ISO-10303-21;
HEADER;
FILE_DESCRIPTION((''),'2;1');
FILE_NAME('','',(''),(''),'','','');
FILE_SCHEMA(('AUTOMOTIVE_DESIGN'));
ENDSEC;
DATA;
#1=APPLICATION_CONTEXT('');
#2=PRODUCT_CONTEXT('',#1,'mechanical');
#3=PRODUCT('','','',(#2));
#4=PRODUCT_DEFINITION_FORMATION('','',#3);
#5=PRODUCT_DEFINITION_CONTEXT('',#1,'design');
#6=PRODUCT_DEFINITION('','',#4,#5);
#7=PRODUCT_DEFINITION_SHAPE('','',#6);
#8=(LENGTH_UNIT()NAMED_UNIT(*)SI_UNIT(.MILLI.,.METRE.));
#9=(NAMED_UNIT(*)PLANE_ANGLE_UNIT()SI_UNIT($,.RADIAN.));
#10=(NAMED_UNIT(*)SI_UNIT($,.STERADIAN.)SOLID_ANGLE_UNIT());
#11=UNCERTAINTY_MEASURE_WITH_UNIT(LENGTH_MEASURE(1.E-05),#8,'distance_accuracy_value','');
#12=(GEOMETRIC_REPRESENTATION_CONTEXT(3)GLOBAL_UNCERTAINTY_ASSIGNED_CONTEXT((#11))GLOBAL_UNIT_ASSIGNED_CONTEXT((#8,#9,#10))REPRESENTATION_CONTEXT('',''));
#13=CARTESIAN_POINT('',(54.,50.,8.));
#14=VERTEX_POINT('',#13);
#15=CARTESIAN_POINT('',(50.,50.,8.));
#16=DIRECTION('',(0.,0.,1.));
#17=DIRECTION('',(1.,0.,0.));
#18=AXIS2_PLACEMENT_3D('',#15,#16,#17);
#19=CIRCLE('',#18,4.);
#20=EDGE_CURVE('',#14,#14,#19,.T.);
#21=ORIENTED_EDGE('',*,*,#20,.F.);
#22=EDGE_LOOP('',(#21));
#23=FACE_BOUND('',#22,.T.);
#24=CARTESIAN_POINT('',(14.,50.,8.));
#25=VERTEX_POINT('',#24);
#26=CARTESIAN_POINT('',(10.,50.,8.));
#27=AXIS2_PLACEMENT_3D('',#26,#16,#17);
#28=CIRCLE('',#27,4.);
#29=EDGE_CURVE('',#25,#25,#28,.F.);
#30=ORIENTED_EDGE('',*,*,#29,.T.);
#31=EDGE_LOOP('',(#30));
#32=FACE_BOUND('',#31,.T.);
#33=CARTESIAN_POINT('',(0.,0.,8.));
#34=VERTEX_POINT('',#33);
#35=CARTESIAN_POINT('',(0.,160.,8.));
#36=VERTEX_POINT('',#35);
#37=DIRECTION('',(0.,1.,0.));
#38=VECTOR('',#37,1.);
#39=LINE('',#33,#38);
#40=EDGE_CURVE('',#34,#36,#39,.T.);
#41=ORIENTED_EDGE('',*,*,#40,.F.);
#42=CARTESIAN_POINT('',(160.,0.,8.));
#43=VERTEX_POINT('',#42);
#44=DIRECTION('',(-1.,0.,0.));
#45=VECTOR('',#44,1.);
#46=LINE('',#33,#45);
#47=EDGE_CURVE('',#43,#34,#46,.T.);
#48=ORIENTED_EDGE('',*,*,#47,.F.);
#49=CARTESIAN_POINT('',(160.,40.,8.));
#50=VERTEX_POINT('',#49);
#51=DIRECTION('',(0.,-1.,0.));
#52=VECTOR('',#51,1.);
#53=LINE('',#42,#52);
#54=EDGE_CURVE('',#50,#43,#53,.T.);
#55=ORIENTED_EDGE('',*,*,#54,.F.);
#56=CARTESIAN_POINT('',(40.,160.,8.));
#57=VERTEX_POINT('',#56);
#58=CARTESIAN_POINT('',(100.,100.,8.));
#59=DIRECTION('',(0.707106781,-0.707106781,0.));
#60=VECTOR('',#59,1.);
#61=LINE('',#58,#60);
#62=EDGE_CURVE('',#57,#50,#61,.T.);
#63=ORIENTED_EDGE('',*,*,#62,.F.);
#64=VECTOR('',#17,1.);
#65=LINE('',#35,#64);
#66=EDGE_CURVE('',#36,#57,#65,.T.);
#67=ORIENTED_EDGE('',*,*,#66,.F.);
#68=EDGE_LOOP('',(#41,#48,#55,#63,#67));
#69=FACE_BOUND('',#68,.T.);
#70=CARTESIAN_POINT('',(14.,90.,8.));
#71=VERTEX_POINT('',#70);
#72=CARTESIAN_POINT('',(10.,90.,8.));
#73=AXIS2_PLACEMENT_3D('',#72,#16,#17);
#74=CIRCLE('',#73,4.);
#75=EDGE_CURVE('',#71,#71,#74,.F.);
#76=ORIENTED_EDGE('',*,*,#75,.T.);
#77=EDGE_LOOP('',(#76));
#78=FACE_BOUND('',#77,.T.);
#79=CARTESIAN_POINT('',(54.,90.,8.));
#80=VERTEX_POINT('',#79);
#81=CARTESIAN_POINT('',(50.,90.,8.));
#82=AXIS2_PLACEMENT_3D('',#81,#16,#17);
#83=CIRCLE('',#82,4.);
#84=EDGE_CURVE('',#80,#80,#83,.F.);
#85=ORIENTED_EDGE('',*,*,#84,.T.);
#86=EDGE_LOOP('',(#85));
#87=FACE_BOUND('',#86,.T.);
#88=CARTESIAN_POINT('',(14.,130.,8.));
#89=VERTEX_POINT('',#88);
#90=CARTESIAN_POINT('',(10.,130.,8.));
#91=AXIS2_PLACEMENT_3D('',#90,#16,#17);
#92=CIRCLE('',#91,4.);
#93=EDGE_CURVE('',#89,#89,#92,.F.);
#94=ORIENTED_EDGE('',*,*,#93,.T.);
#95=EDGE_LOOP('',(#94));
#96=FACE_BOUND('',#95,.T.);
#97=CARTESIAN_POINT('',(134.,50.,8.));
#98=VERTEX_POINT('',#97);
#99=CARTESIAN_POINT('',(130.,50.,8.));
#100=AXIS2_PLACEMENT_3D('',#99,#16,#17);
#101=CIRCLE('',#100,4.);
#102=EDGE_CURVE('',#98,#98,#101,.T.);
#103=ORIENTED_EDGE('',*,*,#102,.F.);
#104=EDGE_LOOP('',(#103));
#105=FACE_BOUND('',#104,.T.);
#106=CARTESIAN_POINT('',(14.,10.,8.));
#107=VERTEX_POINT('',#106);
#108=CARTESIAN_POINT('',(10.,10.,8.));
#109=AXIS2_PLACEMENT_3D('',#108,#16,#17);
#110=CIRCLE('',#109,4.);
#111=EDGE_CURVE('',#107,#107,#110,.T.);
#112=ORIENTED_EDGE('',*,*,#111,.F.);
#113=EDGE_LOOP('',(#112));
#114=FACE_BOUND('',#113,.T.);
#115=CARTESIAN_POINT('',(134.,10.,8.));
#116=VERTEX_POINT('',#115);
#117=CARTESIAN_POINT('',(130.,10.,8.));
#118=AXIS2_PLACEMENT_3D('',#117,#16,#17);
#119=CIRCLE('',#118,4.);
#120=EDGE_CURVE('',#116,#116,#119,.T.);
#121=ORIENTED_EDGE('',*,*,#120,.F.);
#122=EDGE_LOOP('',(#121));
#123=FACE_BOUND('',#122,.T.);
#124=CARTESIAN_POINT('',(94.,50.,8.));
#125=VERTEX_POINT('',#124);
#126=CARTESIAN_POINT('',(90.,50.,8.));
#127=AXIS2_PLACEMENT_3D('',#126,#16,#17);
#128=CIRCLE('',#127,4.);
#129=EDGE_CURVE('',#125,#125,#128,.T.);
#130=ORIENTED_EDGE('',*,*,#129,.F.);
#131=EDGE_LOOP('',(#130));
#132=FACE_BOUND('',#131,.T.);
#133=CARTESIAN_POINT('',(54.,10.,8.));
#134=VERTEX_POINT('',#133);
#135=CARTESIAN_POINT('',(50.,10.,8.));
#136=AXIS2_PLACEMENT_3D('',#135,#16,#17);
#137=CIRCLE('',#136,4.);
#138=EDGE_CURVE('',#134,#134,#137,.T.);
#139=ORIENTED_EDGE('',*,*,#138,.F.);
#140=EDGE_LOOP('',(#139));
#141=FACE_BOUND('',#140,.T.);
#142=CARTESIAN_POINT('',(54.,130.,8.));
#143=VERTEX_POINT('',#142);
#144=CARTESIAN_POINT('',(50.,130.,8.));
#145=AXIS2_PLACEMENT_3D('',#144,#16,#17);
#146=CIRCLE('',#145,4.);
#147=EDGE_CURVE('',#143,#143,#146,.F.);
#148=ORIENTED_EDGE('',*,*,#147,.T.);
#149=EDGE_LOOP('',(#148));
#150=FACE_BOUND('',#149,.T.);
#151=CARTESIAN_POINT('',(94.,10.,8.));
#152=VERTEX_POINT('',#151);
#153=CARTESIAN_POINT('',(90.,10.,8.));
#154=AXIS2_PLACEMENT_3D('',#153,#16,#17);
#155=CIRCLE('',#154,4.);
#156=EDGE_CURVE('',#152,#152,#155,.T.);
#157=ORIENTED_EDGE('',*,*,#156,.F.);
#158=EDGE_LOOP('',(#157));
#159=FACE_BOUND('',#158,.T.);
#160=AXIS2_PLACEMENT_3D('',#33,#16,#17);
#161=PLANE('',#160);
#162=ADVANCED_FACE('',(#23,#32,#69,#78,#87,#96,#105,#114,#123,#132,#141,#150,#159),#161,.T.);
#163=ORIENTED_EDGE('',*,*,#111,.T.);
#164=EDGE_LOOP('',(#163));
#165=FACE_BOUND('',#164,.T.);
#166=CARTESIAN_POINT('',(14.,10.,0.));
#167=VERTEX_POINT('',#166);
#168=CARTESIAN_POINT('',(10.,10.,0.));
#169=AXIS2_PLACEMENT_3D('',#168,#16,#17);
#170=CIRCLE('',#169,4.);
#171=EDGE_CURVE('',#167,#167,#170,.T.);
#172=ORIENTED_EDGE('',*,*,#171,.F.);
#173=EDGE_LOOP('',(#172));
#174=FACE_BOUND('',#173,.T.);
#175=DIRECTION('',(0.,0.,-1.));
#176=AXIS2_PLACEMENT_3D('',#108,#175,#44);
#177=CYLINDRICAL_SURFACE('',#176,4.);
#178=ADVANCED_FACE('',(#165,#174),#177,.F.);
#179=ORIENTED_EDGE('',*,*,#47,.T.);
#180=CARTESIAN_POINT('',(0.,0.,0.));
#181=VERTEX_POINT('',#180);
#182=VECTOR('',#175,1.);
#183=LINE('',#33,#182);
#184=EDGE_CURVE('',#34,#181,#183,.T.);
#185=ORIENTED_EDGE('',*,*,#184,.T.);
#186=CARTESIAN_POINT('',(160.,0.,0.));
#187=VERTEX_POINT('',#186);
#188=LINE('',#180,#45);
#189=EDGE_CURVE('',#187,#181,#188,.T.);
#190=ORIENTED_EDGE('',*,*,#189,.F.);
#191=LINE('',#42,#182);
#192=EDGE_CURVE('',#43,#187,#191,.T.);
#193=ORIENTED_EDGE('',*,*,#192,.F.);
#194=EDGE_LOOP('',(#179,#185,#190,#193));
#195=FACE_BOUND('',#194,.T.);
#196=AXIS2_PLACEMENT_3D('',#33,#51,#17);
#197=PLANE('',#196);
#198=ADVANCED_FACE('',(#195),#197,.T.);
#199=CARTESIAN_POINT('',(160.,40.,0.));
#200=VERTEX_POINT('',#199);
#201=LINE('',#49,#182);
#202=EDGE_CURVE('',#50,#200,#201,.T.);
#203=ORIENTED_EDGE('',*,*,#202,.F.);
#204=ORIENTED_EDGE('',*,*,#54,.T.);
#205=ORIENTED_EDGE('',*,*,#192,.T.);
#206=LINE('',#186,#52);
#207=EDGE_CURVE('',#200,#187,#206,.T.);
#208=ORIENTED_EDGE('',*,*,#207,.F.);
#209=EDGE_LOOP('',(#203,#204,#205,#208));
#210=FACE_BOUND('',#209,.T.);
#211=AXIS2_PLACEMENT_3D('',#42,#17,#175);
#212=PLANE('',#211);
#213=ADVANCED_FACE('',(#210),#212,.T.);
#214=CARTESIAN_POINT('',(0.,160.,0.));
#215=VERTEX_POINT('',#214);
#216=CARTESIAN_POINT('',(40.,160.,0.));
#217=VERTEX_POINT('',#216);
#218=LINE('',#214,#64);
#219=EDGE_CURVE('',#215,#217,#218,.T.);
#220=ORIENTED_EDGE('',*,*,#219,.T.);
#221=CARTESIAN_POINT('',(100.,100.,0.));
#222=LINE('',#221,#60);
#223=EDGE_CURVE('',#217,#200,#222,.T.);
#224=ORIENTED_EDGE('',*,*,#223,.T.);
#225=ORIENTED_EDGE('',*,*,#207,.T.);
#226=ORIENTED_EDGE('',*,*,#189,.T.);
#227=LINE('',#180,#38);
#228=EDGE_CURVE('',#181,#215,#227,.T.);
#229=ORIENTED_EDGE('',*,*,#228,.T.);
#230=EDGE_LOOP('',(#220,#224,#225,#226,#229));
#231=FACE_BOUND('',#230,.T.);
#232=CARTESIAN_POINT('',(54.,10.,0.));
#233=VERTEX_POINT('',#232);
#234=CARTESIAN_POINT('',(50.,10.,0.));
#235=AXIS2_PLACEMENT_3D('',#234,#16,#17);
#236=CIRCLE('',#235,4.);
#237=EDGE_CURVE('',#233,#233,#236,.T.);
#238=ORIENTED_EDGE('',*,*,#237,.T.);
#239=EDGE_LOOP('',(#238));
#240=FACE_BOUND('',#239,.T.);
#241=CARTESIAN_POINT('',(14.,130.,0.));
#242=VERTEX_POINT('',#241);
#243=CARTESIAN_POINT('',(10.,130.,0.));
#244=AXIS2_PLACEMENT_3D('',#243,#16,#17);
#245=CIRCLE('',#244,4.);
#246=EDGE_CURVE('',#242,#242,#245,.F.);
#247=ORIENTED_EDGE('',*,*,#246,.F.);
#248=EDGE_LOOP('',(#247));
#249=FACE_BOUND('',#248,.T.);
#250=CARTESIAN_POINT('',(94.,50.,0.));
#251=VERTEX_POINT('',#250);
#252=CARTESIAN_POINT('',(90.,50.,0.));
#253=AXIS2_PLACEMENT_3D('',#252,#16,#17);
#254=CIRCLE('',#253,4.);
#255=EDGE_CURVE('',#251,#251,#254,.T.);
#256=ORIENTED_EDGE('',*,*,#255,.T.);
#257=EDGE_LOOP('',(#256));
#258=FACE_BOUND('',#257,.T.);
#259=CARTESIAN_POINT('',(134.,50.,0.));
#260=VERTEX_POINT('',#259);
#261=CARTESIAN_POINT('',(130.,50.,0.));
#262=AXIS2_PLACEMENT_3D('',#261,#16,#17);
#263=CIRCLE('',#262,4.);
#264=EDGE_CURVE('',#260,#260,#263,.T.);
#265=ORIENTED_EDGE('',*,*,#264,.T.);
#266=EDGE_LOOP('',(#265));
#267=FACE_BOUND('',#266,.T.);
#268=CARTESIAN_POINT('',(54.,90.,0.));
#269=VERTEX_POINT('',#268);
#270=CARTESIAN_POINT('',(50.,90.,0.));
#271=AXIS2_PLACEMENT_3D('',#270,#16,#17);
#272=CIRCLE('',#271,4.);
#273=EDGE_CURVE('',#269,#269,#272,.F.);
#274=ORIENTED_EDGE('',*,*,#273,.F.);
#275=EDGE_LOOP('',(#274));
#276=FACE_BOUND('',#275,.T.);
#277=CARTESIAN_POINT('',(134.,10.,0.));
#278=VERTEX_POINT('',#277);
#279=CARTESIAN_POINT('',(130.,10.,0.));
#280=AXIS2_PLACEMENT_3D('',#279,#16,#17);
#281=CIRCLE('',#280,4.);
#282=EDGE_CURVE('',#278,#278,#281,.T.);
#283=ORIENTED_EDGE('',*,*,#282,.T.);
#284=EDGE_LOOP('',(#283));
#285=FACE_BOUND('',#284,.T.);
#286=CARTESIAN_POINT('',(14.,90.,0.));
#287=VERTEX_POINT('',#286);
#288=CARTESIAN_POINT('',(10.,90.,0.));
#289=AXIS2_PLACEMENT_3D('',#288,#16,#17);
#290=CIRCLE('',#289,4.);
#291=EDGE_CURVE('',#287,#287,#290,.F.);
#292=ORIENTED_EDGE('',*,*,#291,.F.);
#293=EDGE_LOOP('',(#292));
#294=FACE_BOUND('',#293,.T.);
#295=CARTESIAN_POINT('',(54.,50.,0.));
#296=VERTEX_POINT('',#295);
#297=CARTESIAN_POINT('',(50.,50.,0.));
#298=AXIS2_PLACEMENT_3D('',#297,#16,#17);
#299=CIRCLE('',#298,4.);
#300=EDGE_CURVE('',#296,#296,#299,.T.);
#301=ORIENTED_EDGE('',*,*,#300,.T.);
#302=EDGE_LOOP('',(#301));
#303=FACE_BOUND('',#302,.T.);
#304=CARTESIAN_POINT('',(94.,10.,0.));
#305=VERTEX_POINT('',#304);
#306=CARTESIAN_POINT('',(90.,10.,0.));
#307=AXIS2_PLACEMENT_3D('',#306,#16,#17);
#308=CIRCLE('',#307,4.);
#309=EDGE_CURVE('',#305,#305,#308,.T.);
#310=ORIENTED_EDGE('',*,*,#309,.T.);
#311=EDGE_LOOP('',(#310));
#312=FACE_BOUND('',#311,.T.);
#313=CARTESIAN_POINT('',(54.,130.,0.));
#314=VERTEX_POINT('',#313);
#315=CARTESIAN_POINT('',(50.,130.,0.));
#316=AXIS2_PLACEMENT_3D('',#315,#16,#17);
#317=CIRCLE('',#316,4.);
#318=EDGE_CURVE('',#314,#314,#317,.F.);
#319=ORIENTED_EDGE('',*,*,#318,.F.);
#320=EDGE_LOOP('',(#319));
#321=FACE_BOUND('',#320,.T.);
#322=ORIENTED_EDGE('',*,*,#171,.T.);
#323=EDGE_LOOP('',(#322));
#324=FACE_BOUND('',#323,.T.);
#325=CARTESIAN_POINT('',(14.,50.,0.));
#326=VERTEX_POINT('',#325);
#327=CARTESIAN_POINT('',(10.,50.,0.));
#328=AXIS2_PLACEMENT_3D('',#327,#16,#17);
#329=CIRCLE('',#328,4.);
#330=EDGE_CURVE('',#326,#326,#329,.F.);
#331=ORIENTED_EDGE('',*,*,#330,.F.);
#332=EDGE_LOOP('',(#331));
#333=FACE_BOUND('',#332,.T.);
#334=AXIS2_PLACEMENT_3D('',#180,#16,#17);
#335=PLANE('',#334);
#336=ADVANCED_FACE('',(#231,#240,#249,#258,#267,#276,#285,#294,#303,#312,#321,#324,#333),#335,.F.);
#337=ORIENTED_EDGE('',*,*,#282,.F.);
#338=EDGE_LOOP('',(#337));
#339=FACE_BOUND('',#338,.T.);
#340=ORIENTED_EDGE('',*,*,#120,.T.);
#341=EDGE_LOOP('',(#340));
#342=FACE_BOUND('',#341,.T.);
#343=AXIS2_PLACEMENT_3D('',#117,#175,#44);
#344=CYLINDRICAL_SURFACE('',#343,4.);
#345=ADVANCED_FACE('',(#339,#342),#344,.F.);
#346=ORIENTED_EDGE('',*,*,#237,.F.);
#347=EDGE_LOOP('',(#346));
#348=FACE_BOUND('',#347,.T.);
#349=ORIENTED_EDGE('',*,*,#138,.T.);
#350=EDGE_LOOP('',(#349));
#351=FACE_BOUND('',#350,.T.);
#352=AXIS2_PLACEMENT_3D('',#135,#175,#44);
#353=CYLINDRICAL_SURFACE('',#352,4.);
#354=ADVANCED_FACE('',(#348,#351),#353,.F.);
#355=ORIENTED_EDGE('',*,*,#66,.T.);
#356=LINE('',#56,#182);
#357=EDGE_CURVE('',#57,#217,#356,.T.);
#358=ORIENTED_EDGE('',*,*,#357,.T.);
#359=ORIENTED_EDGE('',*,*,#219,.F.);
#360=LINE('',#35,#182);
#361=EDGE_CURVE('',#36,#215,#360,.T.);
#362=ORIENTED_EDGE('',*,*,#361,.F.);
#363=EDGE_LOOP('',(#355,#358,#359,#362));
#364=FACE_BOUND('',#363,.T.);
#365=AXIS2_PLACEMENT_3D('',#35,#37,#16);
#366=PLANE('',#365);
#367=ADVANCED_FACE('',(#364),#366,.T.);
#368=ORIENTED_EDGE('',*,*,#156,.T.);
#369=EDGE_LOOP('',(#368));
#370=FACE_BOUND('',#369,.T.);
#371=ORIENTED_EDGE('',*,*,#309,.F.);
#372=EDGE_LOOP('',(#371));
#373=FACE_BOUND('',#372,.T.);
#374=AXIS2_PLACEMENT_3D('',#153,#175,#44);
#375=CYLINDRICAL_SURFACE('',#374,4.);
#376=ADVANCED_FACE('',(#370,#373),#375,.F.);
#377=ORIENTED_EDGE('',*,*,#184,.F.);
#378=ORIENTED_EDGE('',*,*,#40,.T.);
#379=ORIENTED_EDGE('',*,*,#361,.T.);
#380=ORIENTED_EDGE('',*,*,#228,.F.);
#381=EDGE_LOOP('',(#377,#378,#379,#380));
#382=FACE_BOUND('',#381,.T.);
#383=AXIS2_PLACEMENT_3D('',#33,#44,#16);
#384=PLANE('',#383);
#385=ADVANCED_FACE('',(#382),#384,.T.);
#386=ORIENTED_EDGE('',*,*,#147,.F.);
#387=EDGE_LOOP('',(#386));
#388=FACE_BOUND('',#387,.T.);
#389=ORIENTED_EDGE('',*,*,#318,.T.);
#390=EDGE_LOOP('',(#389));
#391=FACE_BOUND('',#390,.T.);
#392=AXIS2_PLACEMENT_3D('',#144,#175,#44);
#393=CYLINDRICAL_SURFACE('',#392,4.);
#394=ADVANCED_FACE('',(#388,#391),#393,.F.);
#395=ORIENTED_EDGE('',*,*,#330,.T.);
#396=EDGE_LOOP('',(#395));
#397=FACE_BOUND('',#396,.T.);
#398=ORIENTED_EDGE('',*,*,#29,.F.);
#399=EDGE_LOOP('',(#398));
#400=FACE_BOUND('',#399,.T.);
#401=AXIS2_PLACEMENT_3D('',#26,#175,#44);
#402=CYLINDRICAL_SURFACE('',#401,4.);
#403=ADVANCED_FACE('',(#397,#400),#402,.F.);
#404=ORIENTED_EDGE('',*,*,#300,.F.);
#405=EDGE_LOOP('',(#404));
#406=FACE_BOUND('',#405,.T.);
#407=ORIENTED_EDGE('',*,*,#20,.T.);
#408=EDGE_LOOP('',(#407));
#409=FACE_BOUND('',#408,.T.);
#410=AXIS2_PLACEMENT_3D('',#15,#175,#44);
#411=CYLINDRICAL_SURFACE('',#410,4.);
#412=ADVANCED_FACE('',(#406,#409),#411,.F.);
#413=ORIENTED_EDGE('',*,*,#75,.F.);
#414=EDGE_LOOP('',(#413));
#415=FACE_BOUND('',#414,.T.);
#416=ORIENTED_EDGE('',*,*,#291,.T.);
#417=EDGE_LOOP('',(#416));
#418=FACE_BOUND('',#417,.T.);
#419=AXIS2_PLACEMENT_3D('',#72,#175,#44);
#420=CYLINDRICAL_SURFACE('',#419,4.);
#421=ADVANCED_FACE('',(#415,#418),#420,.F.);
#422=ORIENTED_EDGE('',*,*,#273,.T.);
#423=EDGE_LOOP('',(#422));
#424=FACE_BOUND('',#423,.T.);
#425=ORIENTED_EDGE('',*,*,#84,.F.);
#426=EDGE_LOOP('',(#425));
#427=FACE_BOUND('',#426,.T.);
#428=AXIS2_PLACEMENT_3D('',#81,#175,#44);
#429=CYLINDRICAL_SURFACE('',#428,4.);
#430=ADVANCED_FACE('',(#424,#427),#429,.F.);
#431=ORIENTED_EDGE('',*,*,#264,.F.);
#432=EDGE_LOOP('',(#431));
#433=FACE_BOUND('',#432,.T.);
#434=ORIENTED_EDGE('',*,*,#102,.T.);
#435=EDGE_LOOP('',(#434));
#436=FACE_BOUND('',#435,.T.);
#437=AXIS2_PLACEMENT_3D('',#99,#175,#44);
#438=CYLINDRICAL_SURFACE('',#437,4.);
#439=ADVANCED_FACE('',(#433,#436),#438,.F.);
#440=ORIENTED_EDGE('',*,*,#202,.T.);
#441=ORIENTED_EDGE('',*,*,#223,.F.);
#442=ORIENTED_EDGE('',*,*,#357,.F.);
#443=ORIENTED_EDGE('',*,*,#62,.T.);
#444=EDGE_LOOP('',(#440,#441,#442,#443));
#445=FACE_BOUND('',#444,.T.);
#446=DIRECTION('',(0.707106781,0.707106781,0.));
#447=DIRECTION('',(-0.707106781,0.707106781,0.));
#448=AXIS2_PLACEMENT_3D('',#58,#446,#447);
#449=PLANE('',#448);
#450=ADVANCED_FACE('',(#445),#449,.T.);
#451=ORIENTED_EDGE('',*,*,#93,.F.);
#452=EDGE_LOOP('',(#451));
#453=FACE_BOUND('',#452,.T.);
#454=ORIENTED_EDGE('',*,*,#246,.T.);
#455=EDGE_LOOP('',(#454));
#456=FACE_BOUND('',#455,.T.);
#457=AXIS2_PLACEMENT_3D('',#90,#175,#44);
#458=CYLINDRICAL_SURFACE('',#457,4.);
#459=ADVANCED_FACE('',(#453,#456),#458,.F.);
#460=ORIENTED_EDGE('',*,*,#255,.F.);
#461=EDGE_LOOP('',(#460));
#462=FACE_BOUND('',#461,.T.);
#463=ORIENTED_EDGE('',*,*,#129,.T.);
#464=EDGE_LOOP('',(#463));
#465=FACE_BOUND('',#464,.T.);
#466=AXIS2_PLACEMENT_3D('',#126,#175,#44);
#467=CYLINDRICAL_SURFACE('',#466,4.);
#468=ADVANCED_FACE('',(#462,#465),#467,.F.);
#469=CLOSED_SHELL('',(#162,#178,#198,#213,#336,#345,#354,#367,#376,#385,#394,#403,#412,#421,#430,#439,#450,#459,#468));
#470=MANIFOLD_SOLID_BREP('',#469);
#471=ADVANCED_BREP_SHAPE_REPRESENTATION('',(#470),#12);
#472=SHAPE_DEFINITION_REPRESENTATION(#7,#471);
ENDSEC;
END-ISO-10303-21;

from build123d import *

# Parameters (mm, degrees)
SKETCH1_R           = 4
BOSS_EXTRUDE1_DEPTH = 8


with BuildPart() as part:
    # Sketch1 → Boss-Extrude1 (new body)
    with BuildSketch(Plane.XY):
        Polygon((0, 0), (0, 160), (40, 160), (160, 40), (160, 0), align=None)
        with Locations((10, 10)):
            Circle(SKETCH1_R, mode=Mode.SUBTRACT)
        with Locations((50, 10)):
            Circle(SKETCH1_R, mode=Mode.SUBTRACT)
        with Locations((90, 10)):
            Circle(SKETCH1_R, mode=Mode.SUBTRACT)
        with Locations((10, 90)):
            Circle(SKETCH1_R, mode=Mode.SUBTRACT)
        with Locations((10, 50)):
            Circle(SKETCH1_R, mode=Mode.SUBTRACT)
        with Locations((130, 10)):
            Circle(SKETCH1_R, mode=Mode.SUBTRACT)
        with Locations((10, 130)):
            Circle(SKETCH1_R, mode=Mode.SUBTRACT)
        with Locations((130, 50)):
            Circle(SKETCH1_R, mode=Mode.SUBTRACT)
        with Locations((90, 50)):
            Circle(SKETCH1_R, mode=Mode.SUBTRACT)
        with Locations((50, 50)):
            Circle(SKETCH1_R, mode=Mode.SUBTRACT)
        with Locations((50, 130)):
            Circle(SKETCH1_R, mode=Mode.SUBTRACT)
        with Locations((50, 90)):
            Circle(SKETCH1_R, mode=Mode.SUBTRACT)
    extrude(amount=BOSS_EXTRUDE1_DEPTH)


solid = part.part
